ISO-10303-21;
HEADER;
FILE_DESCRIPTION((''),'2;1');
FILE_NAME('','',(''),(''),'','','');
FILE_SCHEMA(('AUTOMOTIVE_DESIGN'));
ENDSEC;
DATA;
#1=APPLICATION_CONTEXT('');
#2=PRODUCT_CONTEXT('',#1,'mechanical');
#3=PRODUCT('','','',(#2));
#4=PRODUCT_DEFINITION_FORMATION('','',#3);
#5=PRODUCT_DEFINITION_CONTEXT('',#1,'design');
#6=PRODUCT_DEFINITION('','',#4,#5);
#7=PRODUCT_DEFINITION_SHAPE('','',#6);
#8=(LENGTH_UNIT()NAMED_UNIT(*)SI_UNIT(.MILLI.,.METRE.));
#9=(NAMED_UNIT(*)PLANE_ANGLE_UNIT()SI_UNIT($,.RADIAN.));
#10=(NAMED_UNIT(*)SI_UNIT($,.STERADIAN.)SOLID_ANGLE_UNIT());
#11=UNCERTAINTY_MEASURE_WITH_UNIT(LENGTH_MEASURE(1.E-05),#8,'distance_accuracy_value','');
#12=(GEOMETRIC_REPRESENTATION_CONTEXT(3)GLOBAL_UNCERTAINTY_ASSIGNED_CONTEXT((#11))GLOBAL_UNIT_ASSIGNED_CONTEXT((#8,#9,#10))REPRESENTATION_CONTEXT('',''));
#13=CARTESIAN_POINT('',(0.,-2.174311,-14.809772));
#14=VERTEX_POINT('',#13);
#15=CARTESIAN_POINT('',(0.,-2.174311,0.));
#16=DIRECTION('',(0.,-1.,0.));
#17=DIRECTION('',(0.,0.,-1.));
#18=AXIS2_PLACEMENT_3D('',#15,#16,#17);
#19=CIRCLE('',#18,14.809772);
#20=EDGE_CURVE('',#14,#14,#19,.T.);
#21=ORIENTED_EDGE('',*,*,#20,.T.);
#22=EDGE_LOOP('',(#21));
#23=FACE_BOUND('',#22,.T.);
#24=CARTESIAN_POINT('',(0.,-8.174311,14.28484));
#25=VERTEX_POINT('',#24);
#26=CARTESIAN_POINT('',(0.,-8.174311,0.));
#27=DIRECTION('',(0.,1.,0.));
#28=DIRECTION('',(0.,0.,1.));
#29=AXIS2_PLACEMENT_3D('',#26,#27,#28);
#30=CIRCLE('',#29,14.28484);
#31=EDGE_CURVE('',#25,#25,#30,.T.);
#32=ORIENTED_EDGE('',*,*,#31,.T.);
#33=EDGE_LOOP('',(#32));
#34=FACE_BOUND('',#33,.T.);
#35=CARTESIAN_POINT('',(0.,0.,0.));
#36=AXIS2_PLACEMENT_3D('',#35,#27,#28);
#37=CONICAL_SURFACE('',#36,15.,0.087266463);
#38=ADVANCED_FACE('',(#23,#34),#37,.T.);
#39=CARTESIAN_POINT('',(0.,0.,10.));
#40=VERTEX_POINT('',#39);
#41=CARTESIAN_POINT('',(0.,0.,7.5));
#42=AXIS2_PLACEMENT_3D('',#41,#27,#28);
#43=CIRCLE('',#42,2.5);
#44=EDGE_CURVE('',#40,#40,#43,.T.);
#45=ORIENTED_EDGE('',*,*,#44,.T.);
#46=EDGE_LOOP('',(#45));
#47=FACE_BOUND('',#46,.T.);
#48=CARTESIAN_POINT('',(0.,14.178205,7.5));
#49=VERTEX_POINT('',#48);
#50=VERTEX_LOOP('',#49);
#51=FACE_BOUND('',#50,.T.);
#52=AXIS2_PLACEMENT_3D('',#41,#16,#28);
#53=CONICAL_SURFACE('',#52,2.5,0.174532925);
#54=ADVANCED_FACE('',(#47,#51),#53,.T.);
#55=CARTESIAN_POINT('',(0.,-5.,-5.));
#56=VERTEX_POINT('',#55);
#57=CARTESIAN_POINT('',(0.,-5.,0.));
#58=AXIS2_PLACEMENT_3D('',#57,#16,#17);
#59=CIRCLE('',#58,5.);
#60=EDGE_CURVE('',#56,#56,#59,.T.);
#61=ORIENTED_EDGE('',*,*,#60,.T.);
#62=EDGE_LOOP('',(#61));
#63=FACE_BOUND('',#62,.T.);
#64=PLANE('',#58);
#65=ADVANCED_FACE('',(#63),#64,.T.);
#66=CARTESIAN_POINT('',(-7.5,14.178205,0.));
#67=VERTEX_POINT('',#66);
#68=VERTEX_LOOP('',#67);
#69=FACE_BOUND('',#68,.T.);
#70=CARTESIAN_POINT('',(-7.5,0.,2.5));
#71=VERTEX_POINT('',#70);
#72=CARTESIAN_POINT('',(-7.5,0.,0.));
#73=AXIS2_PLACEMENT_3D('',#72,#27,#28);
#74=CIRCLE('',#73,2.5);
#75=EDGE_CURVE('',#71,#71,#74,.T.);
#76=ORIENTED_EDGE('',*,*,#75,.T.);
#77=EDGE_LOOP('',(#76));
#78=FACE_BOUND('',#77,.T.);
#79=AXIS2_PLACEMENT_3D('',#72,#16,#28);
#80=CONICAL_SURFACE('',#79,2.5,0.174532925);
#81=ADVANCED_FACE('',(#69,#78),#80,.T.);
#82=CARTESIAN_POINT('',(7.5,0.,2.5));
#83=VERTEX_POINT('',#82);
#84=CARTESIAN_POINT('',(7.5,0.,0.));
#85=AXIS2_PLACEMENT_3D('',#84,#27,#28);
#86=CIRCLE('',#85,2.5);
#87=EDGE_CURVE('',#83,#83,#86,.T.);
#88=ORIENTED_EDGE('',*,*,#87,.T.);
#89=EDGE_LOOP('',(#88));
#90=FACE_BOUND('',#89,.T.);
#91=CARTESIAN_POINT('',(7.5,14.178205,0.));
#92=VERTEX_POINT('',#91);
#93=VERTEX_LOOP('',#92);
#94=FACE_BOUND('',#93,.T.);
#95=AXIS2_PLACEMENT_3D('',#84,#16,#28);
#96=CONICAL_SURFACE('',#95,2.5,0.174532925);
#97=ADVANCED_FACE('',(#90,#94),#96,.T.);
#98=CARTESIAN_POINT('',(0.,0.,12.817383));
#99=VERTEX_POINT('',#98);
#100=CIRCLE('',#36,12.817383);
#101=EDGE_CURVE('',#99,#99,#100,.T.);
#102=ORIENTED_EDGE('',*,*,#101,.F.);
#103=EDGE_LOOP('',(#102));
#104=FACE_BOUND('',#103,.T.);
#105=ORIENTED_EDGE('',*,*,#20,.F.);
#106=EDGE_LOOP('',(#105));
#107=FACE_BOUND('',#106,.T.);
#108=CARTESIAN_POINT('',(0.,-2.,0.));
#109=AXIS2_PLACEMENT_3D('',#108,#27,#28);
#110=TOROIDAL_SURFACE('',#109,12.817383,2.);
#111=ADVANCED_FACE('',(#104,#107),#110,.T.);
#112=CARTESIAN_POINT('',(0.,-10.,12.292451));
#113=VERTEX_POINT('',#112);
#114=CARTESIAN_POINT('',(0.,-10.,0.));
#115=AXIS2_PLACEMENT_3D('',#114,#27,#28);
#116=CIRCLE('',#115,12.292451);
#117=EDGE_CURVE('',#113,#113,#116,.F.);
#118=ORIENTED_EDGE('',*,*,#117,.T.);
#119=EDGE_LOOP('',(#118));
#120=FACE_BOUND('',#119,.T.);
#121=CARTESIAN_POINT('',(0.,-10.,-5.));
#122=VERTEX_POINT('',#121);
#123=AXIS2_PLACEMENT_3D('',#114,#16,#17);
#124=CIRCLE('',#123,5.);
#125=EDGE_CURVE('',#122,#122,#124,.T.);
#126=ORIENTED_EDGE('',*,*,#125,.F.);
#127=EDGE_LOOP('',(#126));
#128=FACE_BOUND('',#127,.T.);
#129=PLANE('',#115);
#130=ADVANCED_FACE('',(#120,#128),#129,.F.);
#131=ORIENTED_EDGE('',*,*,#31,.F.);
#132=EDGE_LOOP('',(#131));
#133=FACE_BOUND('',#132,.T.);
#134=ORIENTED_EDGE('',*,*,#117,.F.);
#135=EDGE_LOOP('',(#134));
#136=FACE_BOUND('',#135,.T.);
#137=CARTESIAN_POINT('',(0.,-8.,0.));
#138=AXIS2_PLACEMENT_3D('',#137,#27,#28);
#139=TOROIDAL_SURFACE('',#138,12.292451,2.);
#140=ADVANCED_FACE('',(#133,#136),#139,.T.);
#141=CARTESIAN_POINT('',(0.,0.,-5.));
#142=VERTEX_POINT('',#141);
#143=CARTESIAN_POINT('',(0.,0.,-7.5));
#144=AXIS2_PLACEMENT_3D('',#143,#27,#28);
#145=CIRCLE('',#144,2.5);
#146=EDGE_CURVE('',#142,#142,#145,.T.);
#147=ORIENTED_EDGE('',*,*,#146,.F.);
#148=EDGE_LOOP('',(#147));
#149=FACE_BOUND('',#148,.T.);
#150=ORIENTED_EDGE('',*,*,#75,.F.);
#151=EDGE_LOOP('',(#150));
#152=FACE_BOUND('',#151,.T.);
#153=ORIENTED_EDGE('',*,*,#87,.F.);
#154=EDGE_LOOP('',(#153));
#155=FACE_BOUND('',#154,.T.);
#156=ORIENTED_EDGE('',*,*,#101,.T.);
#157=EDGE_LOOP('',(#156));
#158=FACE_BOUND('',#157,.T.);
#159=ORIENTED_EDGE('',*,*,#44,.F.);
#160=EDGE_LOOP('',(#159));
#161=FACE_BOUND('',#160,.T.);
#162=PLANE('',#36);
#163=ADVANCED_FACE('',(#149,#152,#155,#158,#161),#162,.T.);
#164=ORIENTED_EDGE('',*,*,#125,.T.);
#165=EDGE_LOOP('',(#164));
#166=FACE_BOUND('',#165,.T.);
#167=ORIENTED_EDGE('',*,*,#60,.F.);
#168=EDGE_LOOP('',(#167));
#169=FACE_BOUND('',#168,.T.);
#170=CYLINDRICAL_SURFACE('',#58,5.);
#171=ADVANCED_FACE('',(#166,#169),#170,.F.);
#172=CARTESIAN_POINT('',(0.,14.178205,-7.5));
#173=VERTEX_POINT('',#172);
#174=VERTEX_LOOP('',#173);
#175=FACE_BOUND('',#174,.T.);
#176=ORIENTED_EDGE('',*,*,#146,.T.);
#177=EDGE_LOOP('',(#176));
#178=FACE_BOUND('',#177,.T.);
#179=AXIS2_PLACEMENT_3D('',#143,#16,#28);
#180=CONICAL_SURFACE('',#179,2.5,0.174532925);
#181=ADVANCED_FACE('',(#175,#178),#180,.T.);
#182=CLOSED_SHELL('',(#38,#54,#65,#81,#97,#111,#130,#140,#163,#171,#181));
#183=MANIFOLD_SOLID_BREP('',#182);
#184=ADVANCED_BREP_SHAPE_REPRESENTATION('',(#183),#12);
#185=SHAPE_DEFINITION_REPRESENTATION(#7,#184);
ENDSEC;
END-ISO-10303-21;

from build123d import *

# Parameters (mm, degrees)
SKETCH1_R           = 15
BOSS_EXTRUDE1_DEPTH = 10
BOSS_EXTRUDE1_DRAFT = -5
SKETCH3_R           = 5
CUT_EXTRUDE1_DEPTH  = 5
FILLET1_R           = 2


with BuildPart() as part:
    # Sketch1 → Boss-Extrude1 (with draft: the straight prism first)
    with BuildSketch(Plane(origin=(0, 0, 0), x_dir=(1, 0, 0), z_dir=(0, 1, 0))):
        Circle(SKETCH1_R)
    extrude(amount=-BOSS_EXTRUDE1_DEPTH)
    # Boss-Extrude1: the draft: its side faces are tilted about the plane it starts from
    boss_extrude1_sides = [part.faces().sort_by_distance(p)[0] for p in [
        (-15, -5, 0),
    ]]
    draft(boss_extrude1_sides, Plane(origin=(0, 0, 0), x_dir=(1, 0, 0), z_dir=(0, 1, 0)), BOSS_EXTRUDE1_DRAFT)

    # Boss-Extrude2 cone 1 section (through the dimple's axis) → Boss-Extrude2 (revolve)
    with BuildSketch(Plane(origin=(0, 0, -7.5), x_dir=(0, 0, -1), z_dir=(1, 0, 0))):
        Polygon((0, 0), (2.5, 0), (0, 14.178204549), align=None)
    revolve(axis=Axis((0, 0, -7.5), (0, 1, 0)))

    # Boss-Extrude2 cone 2 section (through the dimple's axis) → Boss-Extrude2 cone 2 (revolve)
    with BuildSketch(Plane(origin=(7.5, 0, 0), x_dir=(0, 0, -1), z_dir=(1, 0, 0))):
        Polygon((0, 0), (2.5, 0), (0, 14.178204549), align=None)
    revolve(axis=Axis((7.5, 0, 0), (0, 1, 0)))

    # Boss-Extrude2 cone 3 section (through the dimple's axis) → Boss-Extrude2 cone 3 (revolve)
    with BuildSketch(Plane(origin=(0, 0, 7.5), x_dir=(0, 0, -1), z_dir=(1, 0, 0))):
        Polygon((0, 0), (2.5, 0), (0, 14.178204549), align=None)
    revolve(axis=Axis((0, 0, 7.5), (0, 1, 0)))

    # Boss-Extrude2 cone 4 section (through the dimple's axis) → Boss-Extrude2 cone 4 (revolve)
    with BuildSketch(Plane(origin=(-7.5, 0, 0), x_dir=(0, 0, -1), z_dir=(1, 0, 0))):
        Polygon((0, 0), (2.5, 0), (0, 14.178204549), align=None)
    revolve(axis=Axis((-7.5, 0, 0), (0, 1, 0)))

    # Sketch3 → Cut-Extrude1 (cut)
    with BuildSketch(Plane(origin=(0, -10, 0), x_dir=(-1, 0, 0), z_dir=(0, -1, 0))):
        with Locations(Location((0, 0, 0), (0, 0, 90))):
            Circle(SKETCH3_R)
    extrude(amount=-CUT_EXTRUDE1_DEPTH, mode=Mode.SUBTRACT)

    # Fillet1
    fillet1_edges = [part.edges().sort_by_distance(p)[0] for p in [
        (-15, 0, 0),
        (-14.125113365, -10, 0),
    ]]
    fillet(fillet1_edges, radius=FILLET1_R)


solid = part.part
